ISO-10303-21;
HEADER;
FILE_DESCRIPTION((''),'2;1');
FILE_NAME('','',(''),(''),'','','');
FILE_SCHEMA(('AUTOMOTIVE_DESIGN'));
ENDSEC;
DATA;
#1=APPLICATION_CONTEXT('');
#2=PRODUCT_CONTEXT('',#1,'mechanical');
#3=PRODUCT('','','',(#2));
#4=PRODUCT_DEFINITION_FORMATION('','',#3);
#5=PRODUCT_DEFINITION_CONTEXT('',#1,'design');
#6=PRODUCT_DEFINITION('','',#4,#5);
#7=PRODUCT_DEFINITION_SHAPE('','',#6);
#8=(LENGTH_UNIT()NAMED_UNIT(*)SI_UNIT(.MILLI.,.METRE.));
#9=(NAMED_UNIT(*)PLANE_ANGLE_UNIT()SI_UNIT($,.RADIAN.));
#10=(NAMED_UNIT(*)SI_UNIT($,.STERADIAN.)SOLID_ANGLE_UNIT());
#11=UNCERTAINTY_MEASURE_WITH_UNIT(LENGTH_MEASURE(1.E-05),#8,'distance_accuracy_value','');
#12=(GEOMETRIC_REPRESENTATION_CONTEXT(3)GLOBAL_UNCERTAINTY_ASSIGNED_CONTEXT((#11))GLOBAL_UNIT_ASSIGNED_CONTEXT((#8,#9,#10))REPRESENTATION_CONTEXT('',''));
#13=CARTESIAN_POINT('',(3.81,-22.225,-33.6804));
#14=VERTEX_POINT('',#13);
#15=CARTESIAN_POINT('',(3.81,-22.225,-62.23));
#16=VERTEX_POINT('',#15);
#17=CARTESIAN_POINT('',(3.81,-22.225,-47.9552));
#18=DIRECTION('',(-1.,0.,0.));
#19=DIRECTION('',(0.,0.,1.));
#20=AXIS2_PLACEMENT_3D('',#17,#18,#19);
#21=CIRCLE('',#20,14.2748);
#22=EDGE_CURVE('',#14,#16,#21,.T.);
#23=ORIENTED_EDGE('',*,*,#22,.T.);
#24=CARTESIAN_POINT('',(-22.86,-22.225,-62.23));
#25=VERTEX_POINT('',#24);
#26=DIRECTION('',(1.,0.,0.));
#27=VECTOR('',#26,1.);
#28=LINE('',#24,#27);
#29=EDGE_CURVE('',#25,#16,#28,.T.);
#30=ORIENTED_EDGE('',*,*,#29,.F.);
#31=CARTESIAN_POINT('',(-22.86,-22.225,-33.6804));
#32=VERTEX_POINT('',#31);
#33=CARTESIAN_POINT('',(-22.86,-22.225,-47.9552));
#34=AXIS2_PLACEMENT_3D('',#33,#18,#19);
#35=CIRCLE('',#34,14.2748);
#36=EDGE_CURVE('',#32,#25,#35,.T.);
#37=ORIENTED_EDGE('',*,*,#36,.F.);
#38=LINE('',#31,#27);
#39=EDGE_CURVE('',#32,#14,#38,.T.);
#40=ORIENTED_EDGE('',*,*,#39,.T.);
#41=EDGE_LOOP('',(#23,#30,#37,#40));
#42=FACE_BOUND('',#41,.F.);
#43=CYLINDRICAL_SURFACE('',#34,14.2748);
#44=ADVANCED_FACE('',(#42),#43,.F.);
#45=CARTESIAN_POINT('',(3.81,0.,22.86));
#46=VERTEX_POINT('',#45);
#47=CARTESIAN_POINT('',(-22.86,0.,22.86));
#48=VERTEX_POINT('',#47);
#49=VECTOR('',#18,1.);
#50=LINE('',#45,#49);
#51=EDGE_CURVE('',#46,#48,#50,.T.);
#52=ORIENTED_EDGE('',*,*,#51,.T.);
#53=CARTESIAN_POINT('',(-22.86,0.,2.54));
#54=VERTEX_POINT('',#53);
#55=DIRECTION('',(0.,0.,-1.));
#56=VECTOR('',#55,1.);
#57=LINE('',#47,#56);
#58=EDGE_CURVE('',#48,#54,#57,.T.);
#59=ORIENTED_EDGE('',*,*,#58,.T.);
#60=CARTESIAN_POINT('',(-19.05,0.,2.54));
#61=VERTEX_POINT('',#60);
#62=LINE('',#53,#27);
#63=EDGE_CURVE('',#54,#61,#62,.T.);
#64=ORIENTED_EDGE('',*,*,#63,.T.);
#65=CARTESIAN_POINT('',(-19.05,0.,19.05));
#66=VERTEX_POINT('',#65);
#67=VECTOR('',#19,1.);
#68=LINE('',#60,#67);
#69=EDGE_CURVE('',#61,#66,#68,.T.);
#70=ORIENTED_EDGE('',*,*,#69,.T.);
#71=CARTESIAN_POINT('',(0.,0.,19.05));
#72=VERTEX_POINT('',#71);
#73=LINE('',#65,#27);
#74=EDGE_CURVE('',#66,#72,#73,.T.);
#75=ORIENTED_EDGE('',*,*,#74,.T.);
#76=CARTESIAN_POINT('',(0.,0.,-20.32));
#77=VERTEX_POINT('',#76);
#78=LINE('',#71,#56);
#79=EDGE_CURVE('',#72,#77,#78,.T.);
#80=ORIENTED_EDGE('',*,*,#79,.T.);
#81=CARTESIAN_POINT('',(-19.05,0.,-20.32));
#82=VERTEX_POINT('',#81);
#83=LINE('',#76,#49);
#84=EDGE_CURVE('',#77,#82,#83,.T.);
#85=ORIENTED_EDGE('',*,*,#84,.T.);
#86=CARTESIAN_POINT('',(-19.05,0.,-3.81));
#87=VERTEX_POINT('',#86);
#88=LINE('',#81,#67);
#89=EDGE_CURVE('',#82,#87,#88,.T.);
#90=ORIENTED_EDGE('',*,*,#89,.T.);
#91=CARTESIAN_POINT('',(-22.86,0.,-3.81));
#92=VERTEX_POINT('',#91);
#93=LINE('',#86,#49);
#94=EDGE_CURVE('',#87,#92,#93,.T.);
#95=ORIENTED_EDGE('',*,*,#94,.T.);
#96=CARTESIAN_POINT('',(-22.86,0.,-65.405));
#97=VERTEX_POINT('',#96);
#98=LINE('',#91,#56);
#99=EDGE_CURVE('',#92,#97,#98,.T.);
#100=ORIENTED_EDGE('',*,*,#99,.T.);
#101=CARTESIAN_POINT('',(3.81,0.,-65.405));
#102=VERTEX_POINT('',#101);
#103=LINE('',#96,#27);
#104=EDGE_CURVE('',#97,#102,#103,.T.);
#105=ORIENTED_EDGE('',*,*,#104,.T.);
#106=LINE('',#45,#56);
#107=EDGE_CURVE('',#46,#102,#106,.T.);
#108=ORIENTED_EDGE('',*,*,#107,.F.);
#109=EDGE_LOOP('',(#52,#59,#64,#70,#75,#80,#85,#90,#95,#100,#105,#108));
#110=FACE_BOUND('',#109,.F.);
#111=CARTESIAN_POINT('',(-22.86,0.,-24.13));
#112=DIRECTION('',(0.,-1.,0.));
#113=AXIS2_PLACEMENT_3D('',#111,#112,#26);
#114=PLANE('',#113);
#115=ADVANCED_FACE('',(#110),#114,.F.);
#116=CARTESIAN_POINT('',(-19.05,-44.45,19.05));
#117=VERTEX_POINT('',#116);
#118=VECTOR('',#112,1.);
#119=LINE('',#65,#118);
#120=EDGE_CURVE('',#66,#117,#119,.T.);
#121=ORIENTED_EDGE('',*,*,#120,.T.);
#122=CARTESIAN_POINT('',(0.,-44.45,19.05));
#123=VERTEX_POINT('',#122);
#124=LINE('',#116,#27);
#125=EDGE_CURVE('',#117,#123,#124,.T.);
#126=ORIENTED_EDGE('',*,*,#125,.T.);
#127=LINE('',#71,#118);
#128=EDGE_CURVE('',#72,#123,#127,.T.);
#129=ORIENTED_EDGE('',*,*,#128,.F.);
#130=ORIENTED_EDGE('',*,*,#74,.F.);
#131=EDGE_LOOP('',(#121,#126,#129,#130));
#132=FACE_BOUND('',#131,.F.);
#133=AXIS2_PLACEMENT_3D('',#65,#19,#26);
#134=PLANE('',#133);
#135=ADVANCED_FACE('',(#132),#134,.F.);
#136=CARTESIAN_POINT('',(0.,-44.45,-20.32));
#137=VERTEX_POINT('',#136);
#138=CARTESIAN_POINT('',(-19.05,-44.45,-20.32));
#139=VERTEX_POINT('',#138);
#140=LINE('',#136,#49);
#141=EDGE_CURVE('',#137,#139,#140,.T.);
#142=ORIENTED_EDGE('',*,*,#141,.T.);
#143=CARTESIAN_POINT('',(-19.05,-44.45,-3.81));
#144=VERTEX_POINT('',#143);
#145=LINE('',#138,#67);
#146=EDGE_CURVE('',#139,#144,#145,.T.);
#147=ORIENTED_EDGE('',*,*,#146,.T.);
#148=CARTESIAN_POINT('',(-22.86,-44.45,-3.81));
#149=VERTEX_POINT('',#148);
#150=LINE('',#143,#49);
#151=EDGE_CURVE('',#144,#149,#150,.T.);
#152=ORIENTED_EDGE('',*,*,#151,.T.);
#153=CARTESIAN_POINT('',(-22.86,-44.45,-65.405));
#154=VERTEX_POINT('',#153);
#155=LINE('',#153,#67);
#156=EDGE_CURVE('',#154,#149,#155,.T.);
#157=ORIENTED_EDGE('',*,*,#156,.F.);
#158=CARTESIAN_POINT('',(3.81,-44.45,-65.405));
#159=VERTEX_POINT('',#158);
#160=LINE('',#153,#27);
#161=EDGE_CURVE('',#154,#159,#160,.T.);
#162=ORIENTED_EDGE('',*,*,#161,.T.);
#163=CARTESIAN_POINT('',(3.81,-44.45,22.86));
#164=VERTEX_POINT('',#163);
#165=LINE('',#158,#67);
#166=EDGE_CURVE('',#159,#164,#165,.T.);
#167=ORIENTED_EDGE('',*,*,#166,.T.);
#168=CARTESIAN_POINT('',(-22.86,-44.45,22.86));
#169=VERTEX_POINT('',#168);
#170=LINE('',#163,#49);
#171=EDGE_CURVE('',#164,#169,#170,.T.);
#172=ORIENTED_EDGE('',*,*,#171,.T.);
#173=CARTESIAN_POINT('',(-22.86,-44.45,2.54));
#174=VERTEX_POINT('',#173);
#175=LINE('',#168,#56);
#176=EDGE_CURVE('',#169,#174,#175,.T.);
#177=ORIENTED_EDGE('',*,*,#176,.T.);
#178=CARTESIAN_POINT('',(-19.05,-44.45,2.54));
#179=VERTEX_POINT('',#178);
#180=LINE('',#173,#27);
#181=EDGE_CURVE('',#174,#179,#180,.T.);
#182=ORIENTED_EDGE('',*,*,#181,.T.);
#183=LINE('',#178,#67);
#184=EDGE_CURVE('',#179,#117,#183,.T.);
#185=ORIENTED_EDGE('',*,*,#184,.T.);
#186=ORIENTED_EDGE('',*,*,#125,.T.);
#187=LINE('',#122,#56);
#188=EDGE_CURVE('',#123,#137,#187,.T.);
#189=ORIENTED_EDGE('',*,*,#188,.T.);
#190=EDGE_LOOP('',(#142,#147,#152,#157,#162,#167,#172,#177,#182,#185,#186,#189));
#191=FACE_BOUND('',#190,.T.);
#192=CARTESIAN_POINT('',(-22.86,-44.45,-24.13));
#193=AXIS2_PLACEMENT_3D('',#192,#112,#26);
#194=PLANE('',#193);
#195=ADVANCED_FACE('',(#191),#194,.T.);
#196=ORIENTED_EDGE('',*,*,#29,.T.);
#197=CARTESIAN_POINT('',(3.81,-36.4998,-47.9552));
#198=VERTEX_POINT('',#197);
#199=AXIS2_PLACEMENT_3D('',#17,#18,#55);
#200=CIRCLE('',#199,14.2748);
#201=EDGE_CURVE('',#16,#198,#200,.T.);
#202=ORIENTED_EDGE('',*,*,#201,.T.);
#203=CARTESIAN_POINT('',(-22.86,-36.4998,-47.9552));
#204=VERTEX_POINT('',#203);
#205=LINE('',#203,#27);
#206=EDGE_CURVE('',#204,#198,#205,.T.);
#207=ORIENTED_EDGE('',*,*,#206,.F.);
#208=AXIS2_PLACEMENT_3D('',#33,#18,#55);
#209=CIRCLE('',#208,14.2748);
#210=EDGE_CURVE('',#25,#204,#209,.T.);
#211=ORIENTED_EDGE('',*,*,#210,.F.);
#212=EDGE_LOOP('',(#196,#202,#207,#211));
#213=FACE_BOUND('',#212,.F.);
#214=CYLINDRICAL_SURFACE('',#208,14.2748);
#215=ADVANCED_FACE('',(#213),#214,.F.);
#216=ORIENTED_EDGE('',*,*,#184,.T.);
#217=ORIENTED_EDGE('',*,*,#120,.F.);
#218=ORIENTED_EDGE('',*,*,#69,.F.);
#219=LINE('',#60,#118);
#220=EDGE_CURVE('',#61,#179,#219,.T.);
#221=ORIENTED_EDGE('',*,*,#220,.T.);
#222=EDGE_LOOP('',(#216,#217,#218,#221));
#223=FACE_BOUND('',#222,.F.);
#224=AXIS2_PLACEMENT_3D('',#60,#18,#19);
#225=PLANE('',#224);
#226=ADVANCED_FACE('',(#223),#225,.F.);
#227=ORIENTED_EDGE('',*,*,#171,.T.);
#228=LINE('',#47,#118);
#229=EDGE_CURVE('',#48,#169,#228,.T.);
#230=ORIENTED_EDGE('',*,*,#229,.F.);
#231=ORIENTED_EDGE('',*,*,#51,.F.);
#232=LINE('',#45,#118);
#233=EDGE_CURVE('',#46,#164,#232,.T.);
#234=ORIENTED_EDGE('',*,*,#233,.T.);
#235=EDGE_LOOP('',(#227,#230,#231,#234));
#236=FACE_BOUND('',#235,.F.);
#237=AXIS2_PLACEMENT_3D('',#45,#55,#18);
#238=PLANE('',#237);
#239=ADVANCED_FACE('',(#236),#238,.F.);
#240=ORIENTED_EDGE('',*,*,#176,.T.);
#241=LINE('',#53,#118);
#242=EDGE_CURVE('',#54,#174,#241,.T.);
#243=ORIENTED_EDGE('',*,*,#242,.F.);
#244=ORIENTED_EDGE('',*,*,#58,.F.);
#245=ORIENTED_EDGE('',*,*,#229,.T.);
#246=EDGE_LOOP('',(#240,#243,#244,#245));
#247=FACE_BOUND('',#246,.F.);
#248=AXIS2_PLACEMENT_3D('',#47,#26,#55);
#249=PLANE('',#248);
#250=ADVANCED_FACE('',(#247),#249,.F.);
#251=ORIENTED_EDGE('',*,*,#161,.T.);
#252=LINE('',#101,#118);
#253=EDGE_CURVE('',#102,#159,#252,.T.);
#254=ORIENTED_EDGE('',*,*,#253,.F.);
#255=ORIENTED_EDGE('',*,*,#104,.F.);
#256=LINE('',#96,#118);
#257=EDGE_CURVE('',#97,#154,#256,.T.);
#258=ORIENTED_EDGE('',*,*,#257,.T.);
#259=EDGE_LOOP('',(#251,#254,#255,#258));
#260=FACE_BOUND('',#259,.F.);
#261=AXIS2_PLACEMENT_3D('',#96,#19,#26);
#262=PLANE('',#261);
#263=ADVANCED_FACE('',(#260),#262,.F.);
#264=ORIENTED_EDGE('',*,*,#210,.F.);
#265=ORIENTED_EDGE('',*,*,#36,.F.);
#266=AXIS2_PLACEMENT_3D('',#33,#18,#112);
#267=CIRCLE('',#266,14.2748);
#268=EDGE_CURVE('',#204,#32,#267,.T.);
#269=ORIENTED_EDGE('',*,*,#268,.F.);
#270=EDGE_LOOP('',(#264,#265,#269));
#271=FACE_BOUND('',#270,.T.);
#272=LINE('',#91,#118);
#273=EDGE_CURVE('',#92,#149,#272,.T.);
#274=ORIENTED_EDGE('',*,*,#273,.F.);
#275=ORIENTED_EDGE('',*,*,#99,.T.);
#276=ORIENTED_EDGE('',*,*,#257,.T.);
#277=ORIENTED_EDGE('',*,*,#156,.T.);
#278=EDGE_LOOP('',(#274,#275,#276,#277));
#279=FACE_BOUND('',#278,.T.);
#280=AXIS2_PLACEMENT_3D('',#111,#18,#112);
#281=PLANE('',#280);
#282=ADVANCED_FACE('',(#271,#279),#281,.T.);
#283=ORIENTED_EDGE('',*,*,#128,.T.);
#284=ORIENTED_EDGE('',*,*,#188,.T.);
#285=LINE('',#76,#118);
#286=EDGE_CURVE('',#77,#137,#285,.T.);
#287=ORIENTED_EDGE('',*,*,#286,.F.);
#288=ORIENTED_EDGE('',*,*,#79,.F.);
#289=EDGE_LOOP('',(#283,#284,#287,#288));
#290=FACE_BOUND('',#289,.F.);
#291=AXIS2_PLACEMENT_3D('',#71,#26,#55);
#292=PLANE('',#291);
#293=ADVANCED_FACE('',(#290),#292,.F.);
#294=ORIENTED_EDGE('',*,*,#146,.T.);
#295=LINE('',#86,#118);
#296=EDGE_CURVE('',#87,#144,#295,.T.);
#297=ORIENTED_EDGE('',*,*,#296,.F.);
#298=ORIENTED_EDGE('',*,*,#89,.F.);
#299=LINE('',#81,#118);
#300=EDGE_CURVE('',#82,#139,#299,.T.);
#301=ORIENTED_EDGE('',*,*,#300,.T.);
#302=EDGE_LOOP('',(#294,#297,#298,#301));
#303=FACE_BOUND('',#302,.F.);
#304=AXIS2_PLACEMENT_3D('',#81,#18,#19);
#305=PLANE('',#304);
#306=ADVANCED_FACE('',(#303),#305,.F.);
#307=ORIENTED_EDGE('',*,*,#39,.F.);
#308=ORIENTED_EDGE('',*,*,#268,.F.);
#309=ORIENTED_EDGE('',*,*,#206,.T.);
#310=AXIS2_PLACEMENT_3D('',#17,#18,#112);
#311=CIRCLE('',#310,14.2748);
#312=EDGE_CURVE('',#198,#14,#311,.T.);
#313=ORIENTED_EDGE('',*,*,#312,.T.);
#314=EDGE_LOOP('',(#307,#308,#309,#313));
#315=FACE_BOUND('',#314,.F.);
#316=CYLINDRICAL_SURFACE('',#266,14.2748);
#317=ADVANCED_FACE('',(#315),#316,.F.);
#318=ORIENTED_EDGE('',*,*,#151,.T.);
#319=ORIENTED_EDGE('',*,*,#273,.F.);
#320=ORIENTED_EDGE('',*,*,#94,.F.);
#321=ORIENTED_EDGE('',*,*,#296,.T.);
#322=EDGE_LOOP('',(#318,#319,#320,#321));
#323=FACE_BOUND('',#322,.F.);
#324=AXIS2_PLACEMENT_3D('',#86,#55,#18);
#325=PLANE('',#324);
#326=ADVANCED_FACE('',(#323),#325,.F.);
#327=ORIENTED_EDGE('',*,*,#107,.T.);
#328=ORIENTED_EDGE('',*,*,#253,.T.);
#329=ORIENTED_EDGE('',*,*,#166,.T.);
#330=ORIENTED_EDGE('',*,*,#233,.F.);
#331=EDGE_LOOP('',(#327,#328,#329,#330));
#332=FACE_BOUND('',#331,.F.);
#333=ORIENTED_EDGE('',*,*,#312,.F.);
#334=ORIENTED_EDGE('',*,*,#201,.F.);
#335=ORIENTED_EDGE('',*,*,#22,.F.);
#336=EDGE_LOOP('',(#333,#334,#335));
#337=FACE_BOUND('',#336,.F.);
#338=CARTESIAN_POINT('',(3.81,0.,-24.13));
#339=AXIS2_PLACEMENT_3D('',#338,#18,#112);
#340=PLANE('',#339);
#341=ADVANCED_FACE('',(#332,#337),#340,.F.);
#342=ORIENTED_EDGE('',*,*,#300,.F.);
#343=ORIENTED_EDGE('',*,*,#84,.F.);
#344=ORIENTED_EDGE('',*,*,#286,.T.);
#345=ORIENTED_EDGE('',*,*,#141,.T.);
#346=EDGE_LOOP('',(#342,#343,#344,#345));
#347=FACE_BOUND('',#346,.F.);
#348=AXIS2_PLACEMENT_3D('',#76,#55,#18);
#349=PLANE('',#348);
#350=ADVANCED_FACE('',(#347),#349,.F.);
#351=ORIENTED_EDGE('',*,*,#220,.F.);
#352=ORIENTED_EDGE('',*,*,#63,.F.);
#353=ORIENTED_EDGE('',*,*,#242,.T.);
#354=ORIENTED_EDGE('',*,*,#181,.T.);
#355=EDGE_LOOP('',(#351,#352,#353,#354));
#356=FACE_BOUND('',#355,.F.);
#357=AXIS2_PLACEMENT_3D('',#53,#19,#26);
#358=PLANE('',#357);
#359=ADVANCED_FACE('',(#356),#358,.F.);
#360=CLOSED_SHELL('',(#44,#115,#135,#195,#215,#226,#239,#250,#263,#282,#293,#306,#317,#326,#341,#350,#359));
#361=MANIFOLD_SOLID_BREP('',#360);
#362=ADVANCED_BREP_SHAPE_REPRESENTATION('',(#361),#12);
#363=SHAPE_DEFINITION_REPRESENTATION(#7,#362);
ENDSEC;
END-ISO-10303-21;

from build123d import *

# Parameters (mm, degrees)
F1_DEPTH = 44.45
F2_DEPTH = 41.275
F4_DEPTH = 38.1


with BuildPart() as f1:
    # F0 (on Front) → F1 (new body)
    with BuildSketch(Plane.XZ):
        Polygon((0, 19.05), (0, 0), (0, -20.32), (-19.05, -20.32), (-19.05, -3.81), (-22.86, -3.81), (-22.86, -24.13), (3.81, -24.13), (3.81, 22.86), (-9.525, 22.86), (-22.86, 22.86), (-22.86, 2.54), (-19.05, 2.54), (-19.05, 19.05), align=None)
    extrude(amount=F1_DEPTH)

    # F2 (add): a face of the model
    f2_faces = [f1.faces().sort_by_distance(p)[0] for p in [
        (-9.525, -22.225, -24.13),
    ]]
    extrude(f2_faces, amount=F2_DEPTH)

    # F3 (on face) → F4 (cut)
    with BuildSketch(Plane(origin=(-22.86, 0, 0), x_dir=(0, -1, 0), z_dir=(-1, 0, 0))):
        with BuildLine():
            ThreePointArc((22.225, -33.6804), (7.9502, -47.9552), (22.225, -62.23))
            Line((22.225, -62.23), (22.225, -33.6804))
        make_face()
        with BuildLine():
            Line((22.225, -33.6804), (22.225, -62.23))
            ThreePointArc((22.225, -62.23), (32.3188078801, -58.0490078801), (36.4998, -47.9552))
            ThreePointArc((36.4998, -47.9552), (32.3188078801, -37.8613921199), (22.225, -33.6804))
        make_face()
    extrude(amount=-F4_DEPTH, mode=Mode.SUBTRACT)


solid = f1.part
